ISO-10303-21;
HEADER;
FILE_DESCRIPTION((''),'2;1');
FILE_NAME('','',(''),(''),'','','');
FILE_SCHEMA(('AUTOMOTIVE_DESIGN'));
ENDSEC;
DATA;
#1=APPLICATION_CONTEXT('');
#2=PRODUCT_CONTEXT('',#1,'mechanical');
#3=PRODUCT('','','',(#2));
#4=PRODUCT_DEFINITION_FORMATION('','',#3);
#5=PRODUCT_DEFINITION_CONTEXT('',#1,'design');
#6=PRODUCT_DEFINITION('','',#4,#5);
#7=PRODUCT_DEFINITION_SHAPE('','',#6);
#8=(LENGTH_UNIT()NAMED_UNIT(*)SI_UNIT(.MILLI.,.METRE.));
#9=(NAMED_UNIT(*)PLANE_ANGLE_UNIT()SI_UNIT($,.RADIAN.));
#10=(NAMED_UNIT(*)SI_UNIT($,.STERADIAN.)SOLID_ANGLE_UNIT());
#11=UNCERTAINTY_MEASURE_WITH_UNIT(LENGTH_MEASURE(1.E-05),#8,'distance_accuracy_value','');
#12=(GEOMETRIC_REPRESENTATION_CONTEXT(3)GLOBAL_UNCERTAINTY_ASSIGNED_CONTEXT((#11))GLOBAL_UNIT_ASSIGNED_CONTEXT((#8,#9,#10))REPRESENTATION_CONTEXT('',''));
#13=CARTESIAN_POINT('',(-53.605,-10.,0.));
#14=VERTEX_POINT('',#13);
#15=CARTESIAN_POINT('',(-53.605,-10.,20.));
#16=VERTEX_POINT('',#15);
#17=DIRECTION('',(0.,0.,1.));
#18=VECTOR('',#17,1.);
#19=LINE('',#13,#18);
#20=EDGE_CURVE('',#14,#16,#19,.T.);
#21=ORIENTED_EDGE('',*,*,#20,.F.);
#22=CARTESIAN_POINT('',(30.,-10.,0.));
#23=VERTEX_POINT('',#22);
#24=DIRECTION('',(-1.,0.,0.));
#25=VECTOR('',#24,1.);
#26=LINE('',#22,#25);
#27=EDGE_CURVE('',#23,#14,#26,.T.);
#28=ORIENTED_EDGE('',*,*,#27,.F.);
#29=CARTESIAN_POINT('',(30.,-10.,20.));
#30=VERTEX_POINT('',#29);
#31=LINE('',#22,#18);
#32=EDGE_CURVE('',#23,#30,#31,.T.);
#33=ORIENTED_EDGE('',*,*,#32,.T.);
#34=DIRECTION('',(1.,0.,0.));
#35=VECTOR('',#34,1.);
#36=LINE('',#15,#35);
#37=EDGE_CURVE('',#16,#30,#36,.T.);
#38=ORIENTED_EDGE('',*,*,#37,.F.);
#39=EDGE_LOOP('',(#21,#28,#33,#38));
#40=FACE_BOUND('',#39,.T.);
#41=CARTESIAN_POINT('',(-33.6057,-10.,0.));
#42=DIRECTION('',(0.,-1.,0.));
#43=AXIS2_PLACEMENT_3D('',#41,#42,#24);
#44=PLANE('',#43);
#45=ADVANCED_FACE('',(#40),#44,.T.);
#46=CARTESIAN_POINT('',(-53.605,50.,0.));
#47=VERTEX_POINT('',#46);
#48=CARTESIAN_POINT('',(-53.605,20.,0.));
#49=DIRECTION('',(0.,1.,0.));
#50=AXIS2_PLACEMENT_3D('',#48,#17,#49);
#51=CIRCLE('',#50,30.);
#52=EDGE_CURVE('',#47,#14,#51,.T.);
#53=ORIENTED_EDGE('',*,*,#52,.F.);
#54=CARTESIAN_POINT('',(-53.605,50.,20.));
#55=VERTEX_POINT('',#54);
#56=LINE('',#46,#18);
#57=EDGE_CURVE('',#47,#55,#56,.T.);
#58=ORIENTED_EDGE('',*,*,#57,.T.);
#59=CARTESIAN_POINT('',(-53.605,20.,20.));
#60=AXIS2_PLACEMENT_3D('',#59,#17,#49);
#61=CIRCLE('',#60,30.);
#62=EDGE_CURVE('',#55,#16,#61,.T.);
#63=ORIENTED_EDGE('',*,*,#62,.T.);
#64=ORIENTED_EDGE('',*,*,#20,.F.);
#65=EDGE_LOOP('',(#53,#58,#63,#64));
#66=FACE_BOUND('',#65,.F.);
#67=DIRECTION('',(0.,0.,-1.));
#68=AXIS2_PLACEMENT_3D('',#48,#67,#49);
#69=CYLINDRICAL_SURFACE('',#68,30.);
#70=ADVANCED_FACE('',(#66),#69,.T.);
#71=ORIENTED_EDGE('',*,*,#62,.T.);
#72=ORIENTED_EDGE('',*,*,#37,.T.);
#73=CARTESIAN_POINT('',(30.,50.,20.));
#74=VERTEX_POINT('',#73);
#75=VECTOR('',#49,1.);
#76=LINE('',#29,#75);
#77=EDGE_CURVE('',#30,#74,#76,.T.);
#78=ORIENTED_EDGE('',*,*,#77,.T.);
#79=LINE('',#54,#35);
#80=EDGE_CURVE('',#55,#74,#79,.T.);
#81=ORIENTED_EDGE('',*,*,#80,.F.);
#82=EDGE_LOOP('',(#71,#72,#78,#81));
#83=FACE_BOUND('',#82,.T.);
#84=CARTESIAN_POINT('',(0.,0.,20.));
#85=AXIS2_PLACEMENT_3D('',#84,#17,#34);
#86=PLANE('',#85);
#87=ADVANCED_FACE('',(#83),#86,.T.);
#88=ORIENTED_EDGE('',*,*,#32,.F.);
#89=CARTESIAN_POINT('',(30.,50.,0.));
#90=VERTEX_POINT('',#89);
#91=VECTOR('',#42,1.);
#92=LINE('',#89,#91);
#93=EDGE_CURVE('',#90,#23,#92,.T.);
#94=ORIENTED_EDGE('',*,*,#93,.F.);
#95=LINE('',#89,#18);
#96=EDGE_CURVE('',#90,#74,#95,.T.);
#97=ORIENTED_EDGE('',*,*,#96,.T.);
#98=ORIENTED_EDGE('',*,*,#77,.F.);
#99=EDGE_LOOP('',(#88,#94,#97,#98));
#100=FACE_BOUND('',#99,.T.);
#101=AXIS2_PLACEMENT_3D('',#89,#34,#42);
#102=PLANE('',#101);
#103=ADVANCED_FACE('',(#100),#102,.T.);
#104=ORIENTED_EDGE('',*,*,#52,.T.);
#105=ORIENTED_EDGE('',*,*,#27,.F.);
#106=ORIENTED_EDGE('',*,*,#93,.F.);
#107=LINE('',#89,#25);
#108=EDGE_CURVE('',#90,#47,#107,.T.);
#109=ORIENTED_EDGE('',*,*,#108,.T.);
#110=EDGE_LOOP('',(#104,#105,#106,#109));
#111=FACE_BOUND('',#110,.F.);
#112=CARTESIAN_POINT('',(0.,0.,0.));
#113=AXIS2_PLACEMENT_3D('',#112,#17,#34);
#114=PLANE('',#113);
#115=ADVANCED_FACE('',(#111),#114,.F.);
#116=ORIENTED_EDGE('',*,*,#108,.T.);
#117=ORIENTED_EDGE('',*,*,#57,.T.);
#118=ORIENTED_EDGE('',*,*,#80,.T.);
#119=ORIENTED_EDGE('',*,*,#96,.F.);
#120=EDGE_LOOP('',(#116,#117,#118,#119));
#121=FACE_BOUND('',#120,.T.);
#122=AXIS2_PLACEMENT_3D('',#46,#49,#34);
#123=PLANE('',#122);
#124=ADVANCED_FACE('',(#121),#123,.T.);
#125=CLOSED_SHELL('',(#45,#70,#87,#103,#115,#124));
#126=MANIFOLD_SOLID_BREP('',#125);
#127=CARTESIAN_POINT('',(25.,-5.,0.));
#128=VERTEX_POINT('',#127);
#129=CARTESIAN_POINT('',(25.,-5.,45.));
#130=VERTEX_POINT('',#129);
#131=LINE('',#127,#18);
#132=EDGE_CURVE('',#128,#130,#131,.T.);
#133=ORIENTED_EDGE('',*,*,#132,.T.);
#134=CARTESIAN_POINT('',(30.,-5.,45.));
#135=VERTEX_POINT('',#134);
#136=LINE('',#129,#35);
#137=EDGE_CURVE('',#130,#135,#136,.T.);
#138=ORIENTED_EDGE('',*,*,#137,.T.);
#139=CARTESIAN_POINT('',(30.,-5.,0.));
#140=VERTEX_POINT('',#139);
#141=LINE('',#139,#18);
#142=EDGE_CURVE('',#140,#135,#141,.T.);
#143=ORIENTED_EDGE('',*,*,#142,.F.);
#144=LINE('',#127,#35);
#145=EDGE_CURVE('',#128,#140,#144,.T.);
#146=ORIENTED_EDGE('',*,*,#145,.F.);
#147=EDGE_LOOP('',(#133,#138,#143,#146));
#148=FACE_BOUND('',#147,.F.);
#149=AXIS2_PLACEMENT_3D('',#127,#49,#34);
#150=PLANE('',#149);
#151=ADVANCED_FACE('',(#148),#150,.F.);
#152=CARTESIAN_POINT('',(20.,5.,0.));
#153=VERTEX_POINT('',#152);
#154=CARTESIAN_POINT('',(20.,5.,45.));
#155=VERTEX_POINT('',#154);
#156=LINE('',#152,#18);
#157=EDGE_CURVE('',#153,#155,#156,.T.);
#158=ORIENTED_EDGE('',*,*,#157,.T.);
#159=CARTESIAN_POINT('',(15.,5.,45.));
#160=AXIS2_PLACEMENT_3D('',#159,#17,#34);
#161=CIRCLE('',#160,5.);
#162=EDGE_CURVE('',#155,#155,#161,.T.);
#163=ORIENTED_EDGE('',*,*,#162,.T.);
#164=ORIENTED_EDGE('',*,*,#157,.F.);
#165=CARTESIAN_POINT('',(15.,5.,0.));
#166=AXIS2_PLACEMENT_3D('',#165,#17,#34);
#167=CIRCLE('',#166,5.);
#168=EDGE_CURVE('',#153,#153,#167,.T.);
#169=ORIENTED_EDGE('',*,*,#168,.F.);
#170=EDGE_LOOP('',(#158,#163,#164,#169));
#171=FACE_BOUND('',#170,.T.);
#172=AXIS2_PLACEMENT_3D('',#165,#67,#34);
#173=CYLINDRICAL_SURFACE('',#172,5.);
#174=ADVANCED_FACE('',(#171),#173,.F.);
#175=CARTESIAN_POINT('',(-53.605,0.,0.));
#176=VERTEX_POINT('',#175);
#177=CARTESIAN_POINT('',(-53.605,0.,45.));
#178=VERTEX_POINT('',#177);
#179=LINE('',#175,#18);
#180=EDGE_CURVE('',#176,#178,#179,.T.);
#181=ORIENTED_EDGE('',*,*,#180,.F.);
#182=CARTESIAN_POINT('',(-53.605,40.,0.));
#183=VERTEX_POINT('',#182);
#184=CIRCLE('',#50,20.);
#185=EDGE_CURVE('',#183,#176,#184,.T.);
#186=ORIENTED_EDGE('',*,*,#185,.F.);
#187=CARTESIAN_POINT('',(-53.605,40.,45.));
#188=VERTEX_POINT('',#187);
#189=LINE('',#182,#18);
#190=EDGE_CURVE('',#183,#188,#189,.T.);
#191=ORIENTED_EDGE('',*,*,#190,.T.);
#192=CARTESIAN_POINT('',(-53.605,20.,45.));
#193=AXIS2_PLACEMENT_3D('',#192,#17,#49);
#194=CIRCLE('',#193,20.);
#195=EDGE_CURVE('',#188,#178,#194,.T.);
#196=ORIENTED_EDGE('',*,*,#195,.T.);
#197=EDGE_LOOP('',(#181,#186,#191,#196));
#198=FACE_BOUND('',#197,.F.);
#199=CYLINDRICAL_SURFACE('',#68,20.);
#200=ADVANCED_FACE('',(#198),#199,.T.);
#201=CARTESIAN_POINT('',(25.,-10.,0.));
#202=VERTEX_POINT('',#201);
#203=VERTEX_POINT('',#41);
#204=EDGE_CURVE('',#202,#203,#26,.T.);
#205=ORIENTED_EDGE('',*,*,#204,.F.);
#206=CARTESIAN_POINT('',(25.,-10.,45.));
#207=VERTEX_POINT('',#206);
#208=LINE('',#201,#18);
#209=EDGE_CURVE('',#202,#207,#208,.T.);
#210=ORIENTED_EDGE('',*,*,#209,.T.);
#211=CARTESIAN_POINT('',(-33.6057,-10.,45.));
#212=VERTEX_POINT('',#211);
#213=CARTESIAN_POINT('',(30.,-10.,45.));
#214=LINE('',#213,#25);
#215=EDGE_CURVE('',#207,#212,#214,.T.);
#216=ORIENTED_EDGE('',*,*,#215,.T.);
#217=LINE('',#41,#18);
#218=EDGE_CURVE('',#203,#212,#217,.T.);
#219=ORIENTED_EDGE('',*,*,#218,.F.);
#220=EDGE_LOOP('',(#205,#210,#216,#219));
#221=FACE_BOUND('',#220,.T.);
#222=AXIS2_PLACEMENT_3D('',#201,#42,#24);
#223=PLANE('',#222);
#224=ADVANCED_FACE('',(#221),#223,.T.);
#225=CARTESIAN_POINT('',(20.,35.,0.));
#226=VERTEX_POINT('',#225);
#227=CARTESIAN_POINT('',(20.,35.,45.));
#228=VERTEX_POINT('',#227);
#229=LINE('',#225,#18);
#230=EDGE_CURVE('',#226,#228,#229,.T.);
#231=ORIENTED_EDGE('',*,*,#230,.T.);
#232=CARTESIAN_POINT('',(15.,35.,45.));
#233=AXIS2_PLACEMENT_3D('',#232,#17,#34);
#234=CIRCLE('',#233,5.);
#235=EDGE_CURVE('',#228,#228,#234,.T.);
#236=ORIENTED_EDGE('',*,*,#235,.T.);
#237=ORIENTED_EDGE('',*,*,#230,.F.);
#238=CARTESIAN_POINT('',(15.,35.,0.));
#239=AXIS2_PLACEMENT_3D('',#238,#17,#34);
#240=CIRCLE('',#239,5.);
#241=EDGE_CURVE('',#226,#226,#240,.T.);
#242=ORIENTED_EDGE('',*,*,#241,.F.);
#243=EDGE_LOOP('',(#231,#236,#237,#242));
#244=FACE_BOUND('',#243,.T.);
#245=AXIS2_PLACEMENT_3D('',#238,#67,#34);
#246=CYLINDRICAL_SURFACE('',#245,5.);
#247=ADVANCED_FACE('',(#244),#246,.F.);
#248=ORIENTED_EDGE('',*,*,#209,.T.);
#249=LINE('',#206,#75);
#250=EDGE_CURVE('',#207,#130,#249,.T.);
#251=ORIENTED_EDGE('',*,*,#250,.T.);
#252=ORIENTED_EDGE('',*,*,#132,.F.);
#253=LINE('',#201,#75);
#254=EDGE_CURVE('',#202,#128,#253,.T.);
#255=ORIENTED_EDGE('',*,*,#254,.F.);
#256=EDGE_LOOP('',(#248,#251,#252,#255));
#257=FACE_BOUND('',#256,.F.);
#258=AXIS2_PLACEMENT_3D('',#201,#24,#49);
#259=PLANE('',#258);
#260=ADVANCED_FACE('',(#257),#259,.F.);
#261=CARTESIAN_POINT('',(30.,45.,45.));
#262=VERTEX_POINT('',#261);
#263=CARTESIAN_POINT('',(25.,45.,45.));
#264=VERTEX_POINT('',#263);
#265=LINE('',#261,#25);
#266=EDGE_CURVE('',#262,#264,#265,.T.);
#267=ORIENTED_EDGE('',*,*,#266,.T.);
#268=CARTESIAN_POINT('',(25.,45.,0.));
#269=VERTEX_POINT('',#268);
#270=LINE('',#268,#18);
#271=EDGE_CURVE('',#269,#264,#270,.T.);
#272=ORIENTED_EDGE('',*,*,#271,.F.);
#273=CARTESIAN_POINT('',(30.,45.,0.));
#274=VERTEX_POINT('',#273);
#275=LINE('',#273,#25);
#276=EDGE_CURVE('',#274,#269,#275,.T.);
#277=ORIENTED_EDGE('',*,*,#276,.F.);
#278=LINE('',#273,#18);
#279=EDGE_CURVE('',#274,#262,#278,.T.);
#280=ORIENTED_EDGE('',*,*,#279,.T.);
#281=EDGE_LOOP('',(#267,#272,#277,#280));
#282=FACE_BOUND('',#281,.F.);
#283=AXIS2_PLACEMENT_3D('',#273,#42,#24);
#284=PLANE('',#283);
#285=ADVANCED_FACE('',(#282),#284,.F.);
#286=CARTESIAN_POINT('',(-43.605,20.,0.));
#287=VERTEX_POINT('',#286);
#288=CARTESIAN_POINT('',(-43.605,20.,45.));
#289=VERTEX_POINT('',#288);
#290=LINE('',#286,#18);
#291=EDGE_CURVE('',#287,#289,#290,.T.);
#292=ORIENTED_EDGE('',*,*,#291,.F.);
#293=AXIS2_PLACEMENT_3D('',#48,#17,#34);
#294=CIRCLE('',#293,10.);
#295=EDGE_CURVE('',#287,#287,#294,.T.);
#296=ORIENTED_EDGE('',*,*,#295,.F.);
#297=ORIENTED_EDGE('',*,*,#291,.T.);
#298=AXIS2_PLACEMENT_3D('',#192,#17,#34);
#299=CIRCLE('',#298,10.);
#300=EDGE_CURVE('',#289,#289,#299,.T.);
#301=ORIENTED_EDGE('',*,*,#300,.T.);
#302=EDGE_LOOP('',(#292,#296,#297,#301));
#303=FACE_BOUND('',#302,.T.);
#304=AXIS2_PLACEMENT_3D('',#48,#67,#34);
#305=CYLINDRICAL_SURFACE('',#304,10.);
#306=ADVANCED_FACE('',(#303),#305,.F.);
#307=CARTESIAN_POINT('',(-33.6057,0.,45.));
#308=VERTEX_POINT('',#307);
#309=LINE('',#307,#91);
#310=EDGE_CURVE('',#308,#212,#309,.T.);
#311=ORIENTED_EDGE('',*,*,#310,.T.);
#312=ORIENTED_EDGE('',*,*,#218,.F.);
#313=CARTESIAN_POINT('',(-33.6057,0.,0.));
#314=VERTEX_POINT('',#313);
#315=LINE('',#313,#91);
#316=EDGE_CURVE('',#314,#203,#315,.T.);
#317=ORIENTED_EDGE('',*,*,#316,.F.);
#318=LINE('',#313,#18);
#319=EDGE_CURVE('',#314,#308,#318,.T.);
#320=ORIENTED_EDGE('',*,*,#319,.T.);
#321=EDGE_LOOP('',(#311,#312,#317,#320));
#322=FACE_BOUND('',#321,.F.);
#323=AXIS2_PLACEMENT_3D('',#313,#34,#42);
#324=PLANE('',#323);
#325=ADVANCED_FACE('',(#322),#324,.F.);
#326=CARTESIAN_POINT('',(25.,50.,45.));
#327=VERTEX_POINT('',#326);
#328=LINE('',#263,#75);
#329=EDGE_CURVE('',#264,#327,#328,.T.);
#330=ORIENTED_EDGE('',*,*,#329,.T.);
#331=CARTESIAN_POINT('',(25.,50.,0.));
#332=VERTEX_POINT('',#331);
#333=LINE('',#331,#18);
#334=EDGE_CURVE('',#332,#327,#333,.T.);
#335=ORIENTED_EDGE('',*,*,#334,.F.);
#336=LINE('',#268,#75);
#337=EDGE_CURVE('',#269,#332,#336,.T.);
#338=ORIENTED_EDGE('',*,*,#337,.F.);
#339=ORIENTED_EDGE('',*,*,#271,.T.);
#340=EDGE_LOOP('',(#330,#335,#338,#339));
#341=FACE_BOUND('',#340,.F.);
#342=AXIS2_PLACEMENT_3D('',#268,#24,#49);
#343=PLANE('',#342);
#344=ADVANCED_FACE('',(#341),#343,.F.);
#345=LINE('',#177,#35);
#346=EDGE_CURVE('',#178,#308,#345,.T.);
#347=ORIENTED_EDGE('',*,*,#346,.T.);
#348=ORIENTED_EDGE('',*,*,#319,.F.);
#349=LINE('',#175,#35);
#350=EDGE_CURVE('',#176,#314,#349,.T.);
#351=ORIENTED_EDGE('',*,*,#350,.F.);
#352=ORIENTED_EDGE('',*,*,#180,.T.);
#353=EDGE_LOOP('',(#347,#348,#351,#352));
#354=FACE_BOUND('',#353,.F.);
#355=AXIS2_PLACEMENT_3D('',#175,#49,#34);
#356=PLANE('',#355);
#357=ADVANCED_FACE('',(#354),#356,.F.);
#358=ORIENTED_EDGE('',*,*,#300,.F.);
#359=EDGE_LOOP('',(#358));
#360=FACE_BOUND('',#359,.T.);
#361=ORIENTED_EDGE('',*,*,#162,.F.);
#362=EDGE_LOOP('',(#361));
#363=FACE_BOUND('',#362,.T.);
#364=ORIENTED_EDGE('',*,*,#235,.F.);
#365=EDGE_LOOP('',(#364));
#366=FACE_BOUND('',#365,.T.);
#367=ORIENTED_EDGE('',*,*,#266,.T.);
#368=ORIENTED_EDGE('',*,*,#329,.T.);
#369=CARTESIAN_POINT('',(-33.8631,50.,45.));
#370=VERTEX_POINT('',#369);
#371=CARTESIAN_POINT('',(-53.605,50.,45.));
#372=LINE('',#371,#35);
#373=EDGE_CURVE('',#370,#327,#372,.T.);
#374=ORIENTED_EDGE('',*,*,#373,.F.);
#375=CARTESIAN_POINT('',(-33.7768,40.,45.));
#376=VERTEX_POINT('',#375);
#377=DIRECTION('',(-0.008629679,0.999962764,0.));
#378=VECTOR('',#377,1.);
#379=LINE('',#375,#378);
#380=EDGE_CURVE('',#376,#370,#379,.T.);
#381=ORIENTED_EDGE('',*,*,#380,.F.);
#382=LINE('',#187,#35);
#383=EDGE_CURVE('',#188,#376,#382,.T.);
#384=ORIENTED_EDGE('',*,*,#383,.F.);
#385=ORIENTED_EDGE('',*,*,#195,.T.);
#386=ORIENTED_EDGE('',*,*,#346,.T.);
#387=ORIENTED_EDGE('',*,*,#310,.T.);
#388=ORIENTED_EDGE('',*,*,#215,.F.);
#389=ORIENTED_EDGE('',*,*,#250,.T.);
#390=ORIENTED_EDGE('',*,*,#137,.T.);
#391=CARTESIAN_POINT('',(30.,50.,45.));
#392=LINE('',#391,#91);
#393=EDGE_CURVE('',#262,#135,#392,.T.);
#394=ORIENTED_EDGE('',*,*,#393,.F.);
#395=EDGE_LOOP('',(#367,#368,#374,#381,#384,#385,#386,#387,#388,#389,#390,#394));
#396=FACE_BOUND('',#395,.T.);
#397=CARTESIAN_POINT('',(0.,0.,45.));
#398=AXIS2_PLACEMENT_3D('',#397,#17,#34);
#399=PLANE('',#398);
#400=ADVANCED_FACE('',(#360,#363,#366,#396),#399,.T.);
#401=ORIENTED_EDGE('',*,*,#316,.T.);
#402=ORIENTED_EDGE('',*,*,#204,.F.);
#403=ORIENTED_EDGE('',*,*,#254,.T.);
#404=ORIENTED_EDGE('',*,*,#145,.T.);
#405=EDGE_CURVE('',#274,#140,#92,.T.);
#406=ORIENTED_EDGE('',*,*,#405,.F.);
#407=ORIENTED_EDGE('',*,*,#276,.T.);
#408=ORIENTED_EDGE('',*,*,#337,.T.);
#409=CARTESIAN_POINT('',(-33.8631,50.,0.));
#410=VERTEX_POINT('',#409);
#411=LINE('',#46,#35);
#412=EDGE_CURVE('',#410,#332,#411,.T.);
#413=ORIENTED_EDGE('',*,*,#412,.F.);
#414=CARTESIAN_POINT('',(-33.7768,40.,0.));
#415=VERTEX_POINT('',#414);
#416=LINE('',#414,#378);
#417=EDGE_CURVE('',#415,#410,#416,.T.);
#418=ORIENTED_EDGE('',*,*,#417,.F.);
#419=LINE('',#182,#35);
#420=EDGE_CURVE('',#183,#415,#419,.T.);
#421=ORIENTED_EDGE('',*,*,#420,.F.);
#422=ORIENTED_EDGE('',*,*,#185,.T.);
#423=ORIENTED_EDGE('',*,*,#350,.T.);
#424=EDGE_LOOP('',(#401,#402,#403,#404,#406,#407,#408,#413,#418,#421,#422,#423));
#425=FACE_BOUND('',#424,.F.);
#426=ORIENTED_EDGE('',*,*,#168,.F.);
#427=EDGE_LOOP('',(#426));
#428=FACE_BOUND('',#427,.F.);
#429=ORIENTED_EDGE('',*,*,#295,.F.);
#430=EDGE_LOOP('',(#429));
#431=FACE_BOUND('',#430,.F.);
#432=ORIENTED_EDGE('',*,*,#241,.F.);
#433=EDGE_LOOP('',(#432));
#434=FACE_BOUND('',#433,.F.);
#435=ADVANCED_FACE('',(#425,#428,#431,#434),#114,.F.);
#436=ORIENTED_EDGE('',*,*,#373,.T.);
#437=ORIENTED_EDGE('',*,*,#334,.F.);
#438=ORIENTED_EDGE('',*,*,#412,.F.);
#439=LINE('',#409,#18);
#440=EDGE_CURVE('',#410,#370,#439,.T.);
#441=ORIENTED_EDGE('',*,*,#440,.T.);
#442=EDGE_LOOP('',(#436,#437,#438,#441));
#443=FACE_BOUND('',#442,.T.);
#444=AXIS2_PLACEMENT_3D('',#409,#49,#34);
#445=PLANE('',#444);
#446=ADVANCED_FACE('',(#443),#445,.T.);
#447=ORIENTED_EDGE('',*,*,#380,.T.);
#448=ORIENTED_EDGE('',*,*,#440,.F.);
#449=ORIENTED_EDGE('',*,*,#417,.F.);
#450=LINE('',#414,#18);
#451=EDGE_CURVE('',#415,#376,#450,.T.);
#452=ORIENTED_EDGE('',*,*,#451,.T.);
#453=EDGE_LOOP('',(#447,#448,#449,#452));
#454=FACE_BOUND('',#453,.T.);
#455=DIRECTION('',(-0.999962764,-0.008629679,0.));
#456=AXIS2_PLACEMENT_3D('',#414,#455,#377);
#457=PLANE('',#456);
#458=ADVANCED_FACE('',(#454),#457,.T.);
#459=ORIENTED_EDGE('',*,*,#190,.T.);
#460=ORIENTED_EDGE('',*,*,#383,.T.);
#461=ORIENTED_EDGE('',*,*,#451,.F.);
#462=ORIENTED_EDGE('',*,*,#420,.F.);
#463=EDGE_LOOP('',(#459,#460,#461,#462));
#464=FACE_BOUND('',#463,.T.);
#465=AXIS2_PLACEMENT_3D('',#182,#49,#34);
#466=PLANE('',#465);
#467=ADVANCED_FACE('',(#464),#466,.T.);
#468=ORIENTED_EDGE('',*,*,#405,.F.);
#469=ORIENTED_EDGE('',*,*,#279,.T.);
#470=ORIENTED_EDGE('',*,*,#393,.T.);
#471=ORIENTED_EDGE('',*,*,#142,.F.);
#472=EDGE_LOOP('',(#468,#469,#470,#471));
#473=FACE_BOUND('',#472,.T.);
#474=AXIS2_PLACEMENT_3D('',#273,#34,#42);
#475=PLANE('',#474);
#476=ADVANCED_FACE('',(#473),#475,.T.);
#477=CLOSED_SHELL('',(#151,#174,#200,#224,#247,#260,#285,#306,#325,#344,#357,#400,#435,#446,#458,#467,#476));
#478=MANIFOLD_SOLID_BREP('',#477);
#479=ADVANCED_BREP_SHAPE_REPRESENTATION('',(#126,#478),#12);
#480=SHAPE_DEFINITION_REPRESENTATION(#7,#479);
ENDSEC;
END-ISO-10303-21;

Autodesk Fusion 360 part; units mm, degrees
sketch "Boceto1" plane through (0, 0, 0) normal (0, 0, 1) x (1, 0, 0)
  line L0 (-53.605, 50) -> (30, 50)
  line L1 (30, 50) -> (30, -10)
  line L2 (30, -10) -> (-53.605, -10)
  circle A0 centre (-53.605, 20) radius 10
  line L3 (25, 50) -> (30, 50)
  line L4 (30, 50) -> (30, 45)
  line L5 (30, 45) -> (25, 45)
  line L6 (25, 45) -> (25, 50)
  line L7 (30, -10) -> (25, -10)
  line L8 (25, -10) -> (25, -5)
  line L9 (25, -5) -> (30, -5)
  line L10 (30, -5) -> (30, -10)
  circle A1 centre (15, 5) radius 5
  circle A2 centre (15, 35) radius 5
  arc A3 (-53.605, 50) -> (-53.605, -10) centre (-53.605, 20) ccw
  line L11 (-33.7768, 40) -> (-33.8631, 50)
  arc A4 (-53.605, 40) -> (-53.605, 0) centre (-53.605, 20) ccw
  arc A5 (-33.6057, 19.8275) -> (-33.6057, 20.1725) centre (-53.605, 20) ccw
  line L12 (-53.605, 40) -> (-33.7768, 40)
  line L13 (-53.605, 0) -> (-33.6057, 0)
  line L14 (-33.6057, 22.9183) -> (-33.6057, 19.8275)
  line L15 (-33.6057, 0) -> (-33.6057, -10)
extrude "Extruir1" add sketch "Boceto1" along normal blind 20 contours L0 L2 A3 L11 A4 L12 L13 L15 | L0 L1 L2 L5 L6 L8 L9 L11 A4 L12 L13 L15 | L0 L1 L3 L4 L5 L6 | L1 L2 L7 L8 L9 L10 | A0 | A1 | A2 makes body 1
extrude "Extruir2" add sketch "Boceto1" along normal blind 45 separate body contours L0 L1 L2 L5 L6 L8 L9 L11 A4 L12 L13 L15 makes body 2
